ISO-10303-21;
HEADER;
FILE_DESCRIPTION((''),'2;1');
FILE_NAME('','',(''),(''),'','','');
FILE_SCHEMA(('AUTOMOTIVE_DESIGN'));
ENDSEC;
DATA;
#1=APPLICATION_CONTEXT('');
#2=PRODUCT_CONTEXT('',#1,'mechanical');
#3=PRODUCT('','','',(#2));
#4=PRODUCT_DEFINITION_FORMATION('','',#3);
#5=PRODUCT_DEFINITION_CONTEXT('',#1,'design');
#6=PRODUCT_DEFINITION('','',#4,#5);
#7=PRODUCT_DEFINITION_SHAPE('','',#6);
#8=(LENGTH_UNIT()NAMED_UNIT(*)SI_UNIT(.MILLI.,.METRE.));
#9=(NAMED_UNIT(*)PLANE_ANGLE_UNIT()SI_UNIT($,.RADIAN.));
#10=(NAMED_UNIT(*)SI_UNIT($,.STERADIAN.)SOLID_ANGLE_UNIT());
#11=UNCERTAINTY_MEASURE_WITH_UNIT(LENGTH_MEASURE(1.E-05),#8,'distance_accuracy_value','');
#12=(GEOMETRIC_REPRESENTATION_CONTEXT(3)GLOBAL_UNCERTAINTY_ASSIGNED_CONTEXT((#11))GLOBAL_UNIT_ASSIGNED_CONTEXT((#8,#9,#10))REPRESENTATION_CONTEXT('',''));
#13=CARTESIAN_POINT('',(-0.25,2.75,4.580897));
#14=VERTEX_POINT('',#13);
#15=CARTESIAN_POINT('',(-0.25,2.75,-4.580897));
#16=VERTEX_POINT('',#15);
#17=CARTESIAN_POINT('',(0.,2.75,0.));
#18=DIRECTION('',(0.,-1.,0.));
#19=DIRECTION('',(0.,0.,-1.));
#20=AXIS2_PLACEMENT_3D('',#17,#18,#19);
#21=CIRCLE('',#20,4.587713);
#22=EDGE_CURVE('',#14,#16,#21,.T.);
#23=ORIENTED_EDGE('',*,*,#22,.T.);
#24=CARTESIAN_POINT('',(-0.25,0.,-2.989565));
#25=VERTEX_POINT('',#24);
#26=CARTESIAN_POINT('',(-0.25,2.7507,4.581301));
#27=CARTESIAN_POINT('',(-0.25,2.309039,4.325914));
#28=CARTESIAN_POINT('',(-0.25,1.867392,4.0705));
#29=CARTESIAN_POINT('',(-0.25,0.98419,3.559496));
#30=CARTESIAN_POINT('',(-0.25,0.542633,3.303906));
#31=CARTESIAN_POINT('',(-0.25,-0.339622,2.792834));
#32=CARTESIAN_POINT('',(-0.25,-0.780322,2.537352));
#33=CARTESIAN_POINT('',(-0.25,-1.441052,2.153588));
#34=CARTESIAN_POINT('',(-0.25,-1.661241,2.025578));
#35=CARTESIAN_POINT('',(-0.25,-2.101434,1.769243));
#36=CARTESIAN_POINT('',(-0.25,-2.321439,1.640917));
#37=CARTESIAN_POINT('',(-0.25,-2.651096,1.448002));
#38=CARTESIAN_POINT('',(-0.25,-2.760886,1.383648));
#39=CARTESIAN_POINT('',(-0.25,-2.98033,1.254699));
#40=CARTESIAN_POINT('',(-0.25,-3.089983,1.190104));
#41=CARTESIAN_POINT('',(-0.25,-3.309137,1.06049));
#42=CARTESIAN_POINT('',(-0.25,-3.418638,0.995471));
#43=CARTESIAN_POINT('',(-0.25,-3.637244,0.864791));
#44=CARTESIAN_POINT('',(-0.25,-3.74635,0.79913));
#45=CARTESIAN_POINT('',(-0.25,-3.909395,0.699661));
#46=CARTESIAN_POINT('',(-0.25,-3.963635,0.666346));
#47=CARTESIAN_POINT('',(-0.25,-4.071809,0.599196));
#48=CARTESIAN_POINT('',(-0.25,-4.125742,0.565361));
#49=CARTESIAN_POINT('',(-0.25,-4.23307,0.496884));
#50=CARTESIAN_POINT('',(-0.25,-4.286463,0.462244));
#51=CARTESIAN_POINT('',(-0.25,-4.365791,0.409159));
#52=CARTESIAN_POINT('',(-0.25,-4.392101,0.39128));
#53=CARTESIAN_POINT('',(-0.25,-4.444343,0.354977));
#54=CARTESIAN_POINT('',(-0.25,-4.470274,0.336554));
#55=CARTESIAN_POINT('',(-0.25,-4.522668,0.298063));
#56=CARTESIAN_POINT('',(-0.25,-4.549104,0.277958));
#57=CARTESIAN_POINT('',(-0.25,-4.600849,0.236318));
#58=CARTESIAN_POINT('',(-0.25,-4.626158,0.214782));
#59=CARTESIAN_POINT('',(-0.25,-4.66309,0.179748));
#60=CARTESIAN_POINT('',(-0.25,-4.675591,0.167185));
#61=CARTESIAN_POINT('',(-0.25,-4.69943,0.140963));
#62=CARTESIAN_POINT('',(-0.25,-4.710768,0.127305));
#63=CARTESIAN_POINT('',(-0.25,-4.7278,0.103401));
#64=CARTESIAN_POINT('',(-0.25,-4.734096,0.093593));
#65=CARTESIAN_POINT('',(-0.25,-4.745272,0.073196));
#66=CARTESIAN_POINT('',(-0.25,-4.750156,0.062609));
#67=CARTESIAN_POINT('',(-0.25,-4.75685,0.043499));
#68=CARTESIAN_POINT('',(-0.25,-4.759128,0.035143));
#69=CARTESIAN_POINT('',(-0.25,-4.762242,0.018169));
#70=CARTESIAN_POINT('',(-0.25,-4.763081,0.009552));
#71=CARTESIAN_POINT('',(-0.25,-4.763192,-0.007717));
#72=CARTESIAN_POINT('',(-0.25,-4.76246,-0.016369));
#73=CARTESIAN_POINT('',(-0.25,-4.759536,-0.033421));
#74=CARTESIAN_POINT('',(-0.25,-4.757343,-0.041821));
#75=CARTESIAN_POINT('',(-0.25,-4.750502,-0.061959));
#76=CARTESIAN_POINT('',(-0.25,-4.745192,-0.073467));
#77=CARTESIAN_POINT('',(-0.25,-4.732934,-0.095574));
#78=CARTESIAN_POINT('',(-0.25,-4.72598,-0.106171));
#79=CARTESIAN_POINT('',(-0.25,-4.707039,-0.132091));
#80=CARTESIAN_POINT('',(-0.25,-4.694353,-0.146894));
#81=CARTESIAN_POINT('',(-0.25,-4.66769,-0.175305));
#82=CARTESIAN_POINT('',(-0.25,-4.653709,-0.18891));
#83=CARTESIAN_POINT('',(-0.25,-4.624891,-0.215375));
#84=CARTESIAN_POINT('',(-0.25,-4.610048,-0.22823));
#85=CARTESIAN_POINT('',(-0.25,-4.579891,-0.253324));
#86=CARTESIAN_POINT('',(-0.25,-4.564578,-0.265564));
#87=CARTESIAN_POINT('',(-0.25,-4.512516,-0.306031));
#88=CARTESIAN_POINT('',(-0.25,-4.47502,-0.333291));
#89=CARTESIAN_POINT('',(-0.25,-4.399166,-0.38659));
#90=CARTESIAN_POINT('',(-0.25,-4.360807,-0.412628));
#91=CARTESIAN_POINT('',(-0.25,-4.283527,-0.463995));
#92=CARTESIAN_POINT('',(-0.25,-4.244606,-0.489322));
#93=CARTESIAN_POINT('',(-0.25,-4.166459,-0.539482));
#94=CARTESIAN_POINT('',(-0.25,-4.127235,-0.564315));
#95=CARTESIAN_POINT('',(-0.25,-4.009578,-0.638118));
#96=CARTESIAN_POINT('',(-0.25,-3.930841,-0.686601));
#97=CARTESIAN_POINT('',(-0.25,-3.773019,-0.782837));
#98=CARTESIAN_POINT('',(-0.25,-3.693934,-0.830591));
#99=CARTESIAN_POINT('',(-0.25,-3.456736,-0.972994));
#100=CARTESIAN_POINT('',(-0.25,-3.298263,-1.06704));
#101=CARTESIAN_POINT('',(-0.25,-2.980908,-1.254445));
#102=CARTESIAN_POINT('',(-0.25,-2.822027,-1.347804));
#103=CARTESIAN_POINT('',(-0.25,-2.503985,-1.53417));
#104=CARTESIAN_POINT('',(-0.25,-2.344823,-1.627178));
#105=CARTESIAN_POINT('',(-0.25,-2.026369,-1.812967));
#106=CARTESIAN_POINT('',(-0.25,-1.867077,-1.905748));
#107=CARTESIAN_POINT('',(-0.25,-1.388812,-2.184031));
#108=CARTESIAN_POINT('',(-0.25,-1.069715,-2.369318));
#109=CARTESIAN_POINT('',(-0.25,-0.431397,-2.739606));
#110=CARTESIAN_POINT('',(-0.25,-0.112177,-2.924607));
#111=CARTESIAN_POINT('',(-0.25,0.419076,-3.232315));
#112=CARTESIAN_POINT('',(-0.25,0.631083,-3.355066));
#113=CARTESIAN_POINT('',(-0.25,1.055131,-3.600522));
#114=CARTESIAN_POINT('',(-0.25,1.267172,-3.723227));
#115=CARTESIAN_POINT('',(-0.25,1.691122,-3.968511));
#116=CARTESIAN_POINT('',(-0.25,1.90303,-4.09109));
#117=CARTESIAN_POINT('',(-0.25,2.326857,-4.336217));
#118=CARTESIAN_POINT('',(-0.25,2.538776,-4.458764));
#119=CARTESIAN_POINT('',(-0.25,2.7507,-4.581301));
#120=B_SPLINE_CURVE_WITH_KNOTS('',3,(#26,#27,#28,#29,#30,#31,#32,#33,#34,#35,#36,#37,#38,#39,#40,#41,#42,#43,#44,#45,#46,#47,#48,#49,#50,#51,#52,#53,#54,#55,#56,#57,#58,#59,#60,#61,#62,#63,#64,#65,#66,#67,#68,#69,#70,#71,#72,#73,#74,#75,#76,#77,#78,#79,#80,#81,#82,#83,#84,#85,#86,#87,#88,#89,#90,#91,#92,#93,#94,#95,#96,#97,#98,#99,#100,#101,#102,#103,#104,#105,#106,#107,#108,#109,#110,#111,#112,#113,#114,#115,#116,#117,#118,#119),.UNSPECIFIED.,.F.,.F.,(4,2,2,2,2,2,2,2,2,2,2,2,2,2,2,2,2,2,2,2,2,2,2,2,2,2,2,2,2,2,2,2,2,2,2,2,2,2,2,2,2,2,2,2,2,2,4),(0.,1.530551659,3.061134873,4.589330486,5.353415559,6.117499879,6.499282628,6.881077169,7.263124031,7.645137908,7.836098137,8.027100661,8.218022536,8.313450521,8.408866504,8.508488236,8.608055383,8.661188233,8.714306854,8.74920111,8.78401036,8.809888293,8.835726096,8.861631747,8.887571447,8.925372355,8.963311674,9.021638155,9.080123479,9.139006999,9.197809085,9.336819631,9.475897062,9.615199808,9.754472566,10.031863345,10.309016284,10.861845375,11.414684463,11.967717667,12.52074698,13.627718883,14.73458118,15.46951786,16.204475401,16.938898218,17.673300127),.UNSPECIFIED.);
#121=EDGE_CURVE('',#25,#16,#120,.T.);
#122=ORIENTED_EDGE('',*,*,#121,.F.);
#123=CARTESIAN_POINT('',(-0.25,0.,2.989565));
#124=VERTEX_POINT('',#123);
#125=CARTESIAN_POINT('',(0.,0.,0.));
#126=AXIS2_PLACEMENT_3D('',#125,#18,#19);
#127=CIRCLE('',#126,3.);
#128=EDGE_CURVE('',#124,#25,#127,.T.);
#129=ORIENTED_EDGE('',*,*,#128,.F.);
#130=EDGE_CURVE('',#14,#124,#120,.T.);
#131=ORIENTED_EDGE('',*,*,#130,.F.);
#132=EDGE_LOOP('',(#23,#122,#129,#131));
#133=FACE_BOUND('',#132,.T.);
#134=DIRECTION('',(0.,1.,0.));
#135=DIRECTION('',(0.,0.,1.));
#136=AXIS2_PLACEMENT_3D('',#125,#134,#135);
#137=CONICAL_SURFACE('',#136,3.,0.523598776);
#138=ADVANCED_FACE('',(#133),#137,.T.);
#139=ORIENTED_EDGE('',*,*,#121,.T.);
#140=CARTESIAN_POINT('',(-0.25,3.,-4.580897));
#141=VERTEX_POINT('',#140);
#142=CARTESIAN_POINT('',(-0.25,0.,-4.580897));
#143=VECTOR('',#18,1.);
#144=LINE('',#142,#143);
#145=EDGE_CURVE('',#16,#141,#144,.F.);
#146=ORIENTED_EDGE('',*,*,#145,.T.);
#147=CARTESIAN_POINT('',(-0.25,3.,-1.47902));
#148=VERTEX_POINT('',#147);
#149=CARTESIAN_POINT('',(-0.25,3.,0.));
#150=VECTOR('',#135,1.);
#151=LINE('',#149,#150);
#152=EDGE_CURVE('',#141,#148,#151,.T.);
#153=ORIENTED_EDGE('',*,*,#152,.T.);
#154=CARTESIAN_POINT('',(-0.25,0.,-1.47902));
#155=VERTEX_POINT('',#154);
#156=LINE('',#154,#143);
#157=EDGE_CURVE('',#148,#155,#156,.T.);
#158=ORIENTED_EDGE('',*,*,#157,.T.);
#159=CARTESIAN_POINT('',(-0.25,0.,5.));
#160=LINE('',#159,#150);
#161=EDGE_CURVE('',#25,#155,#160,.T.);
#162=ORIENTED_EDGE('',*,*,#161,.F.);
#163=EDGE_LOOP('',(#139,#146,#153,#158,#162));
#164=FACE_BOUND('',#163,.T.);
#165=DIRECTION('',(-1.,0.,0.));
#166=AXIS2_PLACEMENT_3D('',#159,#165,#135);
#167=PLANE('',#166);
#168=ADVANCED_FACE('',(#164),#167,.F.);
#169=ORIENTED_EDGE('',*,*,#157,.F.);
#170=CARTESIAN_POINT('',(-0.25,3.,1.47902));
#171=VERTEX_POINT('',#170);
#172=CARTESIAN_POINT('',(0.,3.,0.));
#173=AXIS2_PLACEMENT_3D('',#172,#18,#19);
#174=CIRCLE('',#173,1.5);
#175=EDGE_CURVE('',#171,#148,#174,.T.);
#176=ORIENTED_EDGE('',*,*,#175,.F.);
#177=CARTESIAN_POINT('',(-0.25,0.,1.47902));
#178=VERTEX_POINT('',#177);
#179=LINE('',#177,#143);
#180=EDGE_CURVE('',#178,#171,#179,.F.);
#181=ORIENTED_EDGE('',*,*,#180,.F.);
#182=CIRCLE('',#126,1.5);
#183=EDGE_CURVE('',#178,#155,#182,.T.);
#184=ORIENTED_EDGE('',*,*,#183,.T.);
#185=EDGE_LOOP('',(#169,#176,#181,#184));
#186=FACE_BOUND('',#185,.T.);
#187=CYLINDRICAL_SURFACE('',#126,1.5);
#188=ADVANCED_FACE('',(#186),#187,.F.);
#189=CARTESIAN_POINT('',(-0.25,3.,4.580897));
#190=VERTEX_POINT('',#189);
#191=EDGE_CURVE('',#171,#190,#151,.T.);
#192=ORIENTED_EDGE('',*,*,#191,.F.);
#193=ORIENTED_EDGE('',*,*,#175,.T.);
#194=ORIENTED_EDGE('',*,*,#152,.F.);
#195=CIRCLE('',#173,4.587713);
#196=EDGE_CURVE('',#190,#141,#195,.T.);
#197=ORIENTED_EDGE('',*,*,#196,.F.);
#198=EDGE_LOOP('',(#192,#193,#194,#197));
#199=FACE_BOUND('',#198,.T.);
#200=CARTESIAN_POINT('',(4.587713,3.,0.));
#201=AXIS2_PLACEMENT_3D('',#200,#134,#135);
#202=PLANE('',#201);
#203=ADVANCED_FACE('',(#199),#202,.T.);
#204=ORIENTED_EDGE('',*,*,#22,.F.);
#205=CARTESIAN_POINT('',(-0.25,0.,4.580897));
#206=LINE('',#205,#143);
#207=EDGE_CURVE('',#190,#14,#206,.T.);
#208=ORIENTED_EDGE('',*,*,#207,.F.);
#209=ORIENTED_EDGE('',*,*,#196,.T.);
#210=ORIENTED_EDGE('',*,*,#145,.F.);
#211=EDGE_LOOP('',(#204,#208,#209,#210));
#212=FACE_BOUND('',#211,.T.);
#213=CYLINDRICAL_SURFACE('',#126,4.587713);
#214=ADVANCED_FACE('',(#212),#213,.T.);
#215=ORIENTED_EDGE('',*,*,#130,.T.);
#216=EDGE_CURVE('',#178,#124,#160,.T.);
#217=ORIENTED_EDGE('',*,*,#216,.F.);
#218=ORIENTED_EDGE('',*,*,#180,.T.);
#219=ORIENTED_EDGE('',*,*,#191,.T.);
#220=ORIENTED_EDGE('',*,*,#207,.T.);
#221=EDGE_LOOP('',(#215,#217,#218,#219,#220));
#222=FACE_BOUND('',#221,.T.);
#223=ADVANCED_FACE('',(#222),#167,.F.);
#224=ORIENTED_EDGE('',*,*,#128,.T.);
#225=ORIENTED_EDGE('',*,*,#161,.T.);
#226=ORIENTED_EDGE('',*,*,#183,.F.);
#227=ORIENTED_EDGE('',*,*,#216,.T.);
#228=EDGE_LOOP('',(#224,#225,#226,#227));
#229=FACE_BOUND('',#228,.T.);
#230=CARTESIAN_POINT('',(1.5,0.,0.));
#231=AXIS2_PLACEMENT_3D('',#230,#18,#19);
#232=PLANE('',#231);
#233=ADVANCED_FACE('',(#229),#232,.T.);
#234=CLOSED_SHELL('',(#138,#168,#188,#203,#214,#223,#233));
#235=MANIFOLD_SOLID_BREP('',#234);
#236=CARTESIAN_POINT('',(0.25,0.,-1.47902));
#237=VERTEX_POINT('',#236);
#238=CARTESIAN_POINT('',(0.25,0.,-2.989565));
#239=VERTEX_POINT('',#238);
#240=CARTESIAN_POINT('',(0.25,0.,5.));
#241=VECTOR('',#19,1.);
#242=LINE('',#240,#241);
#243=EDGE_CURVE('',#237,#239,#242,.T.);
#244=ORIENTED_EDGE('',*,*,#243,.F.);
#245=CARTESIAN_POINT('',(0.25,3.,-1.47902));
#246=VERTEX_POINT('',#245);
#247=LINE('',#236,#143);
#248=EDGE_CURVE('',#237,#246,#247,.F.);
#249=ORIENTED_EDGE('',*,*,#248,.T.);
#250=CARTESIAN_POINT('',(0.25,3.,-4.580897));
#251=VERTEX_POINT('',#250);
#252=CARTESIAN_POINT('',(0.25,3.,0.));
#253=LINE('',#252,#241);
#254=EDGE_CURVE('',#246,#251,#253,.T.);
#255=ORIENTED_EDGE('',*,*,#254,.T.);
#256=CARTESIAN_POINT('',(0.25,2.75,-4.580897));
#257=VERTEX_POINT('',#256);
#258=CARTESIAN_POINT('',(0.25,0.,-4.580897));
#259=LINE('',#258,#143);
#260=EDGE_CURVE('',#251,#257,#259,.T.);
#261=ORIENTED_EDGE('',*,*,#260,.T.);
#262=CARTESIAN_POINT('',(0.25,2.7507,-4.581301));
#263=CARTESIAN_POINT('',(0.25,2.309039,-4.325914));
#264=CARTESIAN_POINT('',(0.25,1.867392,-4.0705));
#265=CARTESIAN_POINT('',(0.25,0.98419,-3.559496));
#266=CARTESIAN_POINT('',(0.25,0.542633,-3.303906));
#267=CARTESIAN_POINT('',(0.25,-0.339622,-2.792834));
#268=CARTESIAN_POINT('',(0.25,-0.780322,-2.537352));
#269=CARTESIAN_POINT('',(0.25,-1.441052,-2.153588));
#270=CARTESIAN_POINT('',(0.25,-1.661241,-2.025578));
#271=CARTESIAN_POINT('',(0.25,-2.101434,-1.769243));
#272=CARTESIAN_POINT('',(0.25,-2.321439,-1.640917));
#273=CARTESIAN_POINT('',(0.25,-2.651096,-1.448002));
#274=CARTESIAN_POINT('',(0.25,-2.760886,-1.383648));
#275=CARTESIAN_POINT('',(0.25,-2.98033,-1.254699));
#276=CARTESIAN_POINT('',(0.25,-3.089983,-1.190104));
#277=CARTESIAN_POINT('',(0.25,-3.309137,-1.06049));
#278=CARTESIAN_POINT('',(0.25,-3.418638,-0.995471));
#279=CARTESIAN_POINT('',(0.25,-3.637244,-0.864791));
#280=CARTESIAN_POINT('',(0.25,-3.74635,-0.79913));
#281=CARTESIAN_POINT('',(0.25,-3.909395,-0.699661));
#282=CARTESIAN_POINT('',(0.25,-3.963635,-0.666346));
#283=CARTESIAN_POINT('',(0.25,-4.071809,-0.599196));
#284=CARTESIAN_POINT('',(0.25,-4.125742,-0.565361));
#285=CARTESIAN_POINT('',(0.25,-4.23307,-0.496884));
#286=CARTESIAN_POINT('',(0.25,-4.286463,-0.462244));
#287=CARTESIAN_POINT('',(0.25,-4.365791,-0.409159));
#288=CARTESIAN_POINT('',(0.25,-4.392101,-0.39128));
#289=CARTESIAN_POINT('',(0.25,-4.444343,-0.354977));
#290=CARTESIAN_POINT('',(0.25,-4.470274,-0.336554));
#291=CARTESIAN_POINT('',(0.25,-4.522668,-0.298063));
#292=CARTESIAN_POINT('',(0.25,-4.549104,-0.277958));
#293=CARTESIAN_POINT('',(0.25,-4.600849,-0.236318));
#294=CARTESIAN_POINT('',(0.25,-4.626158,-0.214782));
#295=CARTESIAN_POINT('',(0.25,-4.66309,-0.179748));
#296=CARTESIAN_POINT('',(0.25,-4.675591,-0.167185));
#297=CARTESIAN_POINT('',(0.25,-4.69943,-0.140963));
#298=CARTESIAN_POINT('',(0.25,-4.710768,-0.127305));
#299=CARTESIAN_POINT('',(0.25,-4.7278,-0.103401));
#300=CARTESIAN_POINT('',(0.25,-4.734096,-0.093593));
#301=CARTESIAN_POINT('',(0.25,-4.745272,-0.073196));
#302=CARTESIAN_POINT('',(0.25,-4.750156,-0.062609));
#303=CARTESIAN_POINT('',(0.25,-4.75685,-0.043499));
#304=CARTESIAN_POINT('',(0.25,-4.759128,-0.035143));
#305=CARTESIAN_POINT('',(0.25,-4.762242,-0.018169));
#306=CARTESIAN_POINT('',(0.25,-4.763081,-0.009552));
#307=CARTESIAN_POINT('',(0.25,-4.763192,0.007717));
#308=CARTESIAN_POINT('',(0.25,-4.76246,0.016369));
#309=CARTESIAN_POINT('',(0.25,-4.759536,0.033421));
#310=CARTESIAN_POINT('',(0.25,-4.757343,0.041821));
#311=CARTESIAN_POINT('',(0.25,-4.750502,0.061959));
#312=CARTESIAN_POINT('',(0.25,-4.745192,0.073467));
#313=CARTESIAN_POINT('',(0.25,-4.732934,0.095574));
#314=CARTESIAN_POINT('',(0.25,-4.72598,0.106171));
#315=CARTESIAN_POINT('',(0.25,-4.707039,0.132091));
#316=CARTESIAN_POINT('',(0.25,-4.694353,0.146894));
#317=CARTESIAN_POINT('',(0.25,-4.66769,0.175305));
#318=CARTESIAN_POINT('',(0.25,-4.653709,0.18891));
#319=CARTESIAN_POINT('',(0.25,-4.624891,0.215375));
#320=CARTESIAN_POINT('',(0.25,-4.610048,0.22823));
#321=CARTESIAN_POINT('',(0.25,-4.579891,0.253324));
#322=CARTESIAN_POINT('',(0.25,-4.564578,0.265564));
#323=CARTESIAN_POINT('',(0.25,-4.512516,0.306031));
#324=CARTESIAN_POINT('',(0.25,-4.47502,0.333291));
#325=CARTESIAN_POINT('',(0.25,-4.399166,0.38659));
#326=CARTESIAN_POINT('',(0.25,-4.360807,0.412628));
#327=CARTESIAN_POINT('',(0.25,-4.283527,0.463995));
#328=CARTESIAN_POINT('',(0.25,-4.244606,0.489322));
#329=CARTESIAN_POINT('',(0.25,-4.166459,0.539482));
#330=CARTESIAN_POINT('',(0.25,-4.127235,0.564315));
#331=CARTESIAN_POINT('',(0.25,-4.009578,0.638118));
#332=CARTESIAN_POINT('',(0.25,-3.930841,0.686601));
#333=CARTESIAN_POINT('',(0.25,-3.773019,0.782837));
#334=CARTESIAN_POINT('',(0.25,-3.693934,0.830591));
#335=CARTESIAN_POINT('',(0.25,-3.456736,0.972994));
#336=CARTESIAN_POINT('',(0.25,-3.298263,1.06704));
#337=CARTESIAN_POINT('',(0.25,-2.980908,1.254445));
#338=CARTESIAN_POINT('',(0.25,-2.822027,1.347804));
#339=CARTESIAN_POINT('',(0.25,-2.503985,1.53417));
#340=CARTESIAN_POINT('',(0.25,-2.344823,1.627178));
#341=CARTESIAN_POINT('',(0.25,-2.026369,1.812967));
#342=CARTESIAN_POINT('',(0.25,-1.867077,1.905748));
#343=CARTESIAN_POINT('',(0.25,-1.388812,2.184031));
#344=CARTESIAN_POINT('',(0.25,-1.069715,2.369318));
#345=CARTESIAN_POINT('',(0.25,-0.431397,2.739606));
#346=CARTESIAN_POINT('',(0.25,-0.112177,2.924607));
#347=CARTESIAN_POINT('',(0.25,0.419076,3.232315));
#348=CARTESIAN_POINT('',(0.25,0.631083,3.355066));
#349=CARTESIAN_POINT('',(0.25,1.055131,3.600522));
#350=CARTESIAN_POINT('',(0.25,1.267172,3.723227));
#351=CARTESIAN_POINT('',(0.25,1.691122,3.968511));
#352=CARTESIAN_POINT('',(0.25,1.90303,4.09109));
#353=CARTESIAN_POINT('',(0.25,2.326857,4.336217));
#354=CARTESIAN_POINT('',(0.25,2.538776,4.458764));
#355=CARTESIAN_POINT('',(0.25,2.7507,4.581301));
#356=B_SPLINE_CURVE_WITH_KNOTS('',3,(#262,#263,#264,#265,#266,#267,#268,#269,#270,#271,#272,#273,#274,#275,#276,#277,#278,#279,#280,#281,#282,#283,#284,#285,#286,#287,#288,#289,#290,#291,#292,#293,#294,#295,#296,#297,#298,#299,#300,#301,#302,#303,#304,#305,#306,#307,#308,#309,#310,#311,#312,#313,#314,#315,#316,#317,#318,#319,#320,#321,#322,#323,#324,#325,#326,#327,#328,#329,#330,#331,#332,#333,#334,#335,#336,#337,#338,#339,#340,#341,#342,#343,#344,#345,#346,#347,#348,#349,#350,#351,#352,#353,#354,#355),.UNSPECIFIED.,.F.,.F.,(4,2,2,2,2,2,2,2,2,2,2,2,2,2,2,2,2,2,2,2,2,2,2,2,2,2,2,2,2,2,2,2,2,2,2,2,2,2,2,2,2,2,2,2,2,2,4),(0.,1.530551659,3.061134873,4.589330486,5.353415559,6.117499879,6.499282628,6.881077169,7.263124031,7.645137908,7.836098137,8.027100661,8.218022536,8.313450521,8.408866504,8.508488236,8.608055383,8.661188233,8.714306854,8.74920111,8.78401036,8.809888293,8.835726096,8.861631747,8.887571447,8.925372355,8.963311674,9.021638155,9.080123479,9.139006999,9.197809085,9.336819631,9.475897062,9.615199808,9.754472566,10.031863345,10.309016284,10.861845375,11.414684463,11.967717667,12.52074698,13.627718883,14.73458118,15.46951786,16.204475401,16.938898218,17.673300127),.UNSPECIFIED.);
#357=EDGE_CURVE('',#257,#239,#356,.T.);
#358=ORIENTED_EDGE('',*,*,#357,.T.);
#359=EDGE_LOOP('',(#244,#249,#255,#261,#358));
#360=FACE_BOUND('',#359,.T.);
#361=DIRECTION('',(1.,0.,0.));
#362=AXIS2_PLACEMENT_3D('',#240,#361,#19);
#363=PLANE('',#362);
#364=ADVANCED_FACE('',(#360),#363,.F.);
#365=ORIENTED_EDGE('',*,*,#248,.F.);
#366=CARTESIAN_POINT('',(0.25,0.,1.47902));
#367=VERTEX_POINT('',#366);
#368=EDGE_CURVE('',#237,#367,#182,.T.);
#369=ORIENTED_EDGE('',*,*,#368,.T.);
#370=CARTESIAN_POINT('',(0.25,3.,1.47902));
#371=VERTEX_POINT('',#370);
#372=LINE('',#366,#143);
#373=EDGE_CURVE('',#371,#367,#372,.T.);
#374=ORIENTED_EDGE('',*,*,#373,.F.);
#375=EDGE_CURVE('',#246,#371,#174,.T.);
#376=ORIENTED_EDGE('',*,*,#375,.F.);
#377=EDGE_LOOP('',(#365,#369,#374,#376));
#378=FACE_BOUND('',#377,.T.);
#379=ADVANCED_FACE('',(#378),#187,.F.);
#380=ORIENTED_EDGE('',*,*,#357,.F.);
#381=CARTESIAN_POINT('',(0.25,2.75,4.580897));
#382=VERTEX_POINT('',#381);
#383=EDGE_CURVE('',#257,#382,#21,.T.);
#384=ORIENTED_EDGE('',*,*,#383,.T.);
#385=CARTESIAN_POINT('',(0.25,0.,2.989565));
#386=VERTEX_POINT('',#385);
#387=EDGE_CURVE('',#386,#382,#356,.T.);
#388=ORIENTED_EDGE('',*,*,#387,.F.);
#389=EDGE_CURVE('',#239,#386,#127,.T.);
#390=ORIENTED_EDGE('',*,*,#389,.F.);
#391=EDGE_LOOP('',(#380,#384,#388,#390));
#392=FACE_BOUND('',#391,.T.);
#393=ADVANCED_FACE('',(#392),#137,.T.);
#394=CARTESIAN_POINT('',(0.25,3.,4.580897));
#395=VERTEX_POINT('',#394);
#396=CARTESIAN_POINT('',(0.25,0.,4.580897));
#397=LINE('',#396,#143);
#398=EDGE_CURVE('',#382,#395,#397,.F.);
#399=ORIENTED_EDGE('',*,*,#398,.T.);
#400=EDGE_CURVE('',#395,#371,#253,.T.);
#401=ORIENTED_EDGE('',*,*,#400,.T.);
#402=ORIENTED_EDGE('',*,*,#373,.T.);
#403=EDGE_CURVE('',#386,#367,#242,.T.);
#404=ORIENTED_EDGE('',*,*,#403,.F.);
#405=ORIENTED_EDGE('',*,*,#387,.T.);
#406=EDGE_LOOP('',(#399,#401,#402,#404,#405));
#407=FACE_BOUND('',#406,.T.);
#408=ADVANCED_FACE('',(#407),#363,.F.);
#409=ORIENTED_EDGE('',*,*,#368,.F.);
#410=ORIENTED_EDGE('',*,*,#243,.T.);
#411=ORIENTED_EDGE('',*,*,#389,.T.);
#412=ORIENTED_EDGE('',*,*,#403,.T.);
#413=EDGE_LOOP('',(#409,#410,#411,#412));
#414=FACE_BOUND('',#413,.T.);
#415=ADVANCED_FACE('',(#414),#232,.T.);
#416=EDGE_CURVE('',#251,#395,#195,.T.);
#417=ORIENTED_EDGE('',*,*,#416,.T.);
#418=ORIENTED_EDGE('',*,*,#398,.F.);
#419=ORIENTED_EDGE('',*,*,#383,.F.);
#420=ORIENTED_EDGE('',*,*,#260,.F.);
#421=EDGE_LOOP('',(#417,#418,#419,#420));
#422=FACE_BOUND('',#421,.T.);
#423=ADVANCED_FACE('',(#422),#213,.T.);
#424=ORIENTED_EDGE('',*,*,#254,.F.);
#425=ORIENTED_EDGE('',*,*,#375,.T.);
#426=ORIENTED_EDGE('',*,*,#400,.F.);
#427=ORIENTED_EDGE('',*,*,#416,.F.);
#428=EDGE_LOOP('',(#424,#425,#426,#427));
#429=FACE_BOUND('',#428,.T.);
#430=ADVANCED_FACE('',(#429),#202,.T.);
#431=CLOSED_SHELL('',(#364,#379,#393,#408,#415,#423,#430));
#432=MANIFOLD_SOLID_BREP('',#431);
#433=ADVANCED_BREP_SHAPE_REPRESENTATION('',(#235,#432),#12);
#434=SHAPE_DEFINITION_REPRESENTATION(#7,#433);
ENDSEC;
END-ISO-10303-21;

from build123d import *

# Parameters (mm, degrees)
SKETCH2_W          = 0.5
SKETCH2_H          = 10
CUT_EXTRUDE1_DEPTH = 4


with BuildPart() as part:
    # Sketch1 → Revolve1 (revolve)
    with BuildSketch(Plane.XY):
        Polygon((1.5, 0), (3, 0), (4.58771324, 2.75), (4.58771324, 3), (1.5, 3), align=None)
    revolve(axis=Axis((0, 0, 0), (0, 1, 0)))

    # Sketch2 → Cut-Extrude1 (cut, through all)
    with BuildSketch(Plane(origin=(0, 3, 0), x_dir=(1, 0, 0), z_dir=(0, 1, 0))):
        Rectangle(SKETCH2_W, SKETCH2_H)
    extrude(amount=-CUT_EXTRUDE1_DEPTH, mode=Mode.SUBTRACT)


solid = part.part
